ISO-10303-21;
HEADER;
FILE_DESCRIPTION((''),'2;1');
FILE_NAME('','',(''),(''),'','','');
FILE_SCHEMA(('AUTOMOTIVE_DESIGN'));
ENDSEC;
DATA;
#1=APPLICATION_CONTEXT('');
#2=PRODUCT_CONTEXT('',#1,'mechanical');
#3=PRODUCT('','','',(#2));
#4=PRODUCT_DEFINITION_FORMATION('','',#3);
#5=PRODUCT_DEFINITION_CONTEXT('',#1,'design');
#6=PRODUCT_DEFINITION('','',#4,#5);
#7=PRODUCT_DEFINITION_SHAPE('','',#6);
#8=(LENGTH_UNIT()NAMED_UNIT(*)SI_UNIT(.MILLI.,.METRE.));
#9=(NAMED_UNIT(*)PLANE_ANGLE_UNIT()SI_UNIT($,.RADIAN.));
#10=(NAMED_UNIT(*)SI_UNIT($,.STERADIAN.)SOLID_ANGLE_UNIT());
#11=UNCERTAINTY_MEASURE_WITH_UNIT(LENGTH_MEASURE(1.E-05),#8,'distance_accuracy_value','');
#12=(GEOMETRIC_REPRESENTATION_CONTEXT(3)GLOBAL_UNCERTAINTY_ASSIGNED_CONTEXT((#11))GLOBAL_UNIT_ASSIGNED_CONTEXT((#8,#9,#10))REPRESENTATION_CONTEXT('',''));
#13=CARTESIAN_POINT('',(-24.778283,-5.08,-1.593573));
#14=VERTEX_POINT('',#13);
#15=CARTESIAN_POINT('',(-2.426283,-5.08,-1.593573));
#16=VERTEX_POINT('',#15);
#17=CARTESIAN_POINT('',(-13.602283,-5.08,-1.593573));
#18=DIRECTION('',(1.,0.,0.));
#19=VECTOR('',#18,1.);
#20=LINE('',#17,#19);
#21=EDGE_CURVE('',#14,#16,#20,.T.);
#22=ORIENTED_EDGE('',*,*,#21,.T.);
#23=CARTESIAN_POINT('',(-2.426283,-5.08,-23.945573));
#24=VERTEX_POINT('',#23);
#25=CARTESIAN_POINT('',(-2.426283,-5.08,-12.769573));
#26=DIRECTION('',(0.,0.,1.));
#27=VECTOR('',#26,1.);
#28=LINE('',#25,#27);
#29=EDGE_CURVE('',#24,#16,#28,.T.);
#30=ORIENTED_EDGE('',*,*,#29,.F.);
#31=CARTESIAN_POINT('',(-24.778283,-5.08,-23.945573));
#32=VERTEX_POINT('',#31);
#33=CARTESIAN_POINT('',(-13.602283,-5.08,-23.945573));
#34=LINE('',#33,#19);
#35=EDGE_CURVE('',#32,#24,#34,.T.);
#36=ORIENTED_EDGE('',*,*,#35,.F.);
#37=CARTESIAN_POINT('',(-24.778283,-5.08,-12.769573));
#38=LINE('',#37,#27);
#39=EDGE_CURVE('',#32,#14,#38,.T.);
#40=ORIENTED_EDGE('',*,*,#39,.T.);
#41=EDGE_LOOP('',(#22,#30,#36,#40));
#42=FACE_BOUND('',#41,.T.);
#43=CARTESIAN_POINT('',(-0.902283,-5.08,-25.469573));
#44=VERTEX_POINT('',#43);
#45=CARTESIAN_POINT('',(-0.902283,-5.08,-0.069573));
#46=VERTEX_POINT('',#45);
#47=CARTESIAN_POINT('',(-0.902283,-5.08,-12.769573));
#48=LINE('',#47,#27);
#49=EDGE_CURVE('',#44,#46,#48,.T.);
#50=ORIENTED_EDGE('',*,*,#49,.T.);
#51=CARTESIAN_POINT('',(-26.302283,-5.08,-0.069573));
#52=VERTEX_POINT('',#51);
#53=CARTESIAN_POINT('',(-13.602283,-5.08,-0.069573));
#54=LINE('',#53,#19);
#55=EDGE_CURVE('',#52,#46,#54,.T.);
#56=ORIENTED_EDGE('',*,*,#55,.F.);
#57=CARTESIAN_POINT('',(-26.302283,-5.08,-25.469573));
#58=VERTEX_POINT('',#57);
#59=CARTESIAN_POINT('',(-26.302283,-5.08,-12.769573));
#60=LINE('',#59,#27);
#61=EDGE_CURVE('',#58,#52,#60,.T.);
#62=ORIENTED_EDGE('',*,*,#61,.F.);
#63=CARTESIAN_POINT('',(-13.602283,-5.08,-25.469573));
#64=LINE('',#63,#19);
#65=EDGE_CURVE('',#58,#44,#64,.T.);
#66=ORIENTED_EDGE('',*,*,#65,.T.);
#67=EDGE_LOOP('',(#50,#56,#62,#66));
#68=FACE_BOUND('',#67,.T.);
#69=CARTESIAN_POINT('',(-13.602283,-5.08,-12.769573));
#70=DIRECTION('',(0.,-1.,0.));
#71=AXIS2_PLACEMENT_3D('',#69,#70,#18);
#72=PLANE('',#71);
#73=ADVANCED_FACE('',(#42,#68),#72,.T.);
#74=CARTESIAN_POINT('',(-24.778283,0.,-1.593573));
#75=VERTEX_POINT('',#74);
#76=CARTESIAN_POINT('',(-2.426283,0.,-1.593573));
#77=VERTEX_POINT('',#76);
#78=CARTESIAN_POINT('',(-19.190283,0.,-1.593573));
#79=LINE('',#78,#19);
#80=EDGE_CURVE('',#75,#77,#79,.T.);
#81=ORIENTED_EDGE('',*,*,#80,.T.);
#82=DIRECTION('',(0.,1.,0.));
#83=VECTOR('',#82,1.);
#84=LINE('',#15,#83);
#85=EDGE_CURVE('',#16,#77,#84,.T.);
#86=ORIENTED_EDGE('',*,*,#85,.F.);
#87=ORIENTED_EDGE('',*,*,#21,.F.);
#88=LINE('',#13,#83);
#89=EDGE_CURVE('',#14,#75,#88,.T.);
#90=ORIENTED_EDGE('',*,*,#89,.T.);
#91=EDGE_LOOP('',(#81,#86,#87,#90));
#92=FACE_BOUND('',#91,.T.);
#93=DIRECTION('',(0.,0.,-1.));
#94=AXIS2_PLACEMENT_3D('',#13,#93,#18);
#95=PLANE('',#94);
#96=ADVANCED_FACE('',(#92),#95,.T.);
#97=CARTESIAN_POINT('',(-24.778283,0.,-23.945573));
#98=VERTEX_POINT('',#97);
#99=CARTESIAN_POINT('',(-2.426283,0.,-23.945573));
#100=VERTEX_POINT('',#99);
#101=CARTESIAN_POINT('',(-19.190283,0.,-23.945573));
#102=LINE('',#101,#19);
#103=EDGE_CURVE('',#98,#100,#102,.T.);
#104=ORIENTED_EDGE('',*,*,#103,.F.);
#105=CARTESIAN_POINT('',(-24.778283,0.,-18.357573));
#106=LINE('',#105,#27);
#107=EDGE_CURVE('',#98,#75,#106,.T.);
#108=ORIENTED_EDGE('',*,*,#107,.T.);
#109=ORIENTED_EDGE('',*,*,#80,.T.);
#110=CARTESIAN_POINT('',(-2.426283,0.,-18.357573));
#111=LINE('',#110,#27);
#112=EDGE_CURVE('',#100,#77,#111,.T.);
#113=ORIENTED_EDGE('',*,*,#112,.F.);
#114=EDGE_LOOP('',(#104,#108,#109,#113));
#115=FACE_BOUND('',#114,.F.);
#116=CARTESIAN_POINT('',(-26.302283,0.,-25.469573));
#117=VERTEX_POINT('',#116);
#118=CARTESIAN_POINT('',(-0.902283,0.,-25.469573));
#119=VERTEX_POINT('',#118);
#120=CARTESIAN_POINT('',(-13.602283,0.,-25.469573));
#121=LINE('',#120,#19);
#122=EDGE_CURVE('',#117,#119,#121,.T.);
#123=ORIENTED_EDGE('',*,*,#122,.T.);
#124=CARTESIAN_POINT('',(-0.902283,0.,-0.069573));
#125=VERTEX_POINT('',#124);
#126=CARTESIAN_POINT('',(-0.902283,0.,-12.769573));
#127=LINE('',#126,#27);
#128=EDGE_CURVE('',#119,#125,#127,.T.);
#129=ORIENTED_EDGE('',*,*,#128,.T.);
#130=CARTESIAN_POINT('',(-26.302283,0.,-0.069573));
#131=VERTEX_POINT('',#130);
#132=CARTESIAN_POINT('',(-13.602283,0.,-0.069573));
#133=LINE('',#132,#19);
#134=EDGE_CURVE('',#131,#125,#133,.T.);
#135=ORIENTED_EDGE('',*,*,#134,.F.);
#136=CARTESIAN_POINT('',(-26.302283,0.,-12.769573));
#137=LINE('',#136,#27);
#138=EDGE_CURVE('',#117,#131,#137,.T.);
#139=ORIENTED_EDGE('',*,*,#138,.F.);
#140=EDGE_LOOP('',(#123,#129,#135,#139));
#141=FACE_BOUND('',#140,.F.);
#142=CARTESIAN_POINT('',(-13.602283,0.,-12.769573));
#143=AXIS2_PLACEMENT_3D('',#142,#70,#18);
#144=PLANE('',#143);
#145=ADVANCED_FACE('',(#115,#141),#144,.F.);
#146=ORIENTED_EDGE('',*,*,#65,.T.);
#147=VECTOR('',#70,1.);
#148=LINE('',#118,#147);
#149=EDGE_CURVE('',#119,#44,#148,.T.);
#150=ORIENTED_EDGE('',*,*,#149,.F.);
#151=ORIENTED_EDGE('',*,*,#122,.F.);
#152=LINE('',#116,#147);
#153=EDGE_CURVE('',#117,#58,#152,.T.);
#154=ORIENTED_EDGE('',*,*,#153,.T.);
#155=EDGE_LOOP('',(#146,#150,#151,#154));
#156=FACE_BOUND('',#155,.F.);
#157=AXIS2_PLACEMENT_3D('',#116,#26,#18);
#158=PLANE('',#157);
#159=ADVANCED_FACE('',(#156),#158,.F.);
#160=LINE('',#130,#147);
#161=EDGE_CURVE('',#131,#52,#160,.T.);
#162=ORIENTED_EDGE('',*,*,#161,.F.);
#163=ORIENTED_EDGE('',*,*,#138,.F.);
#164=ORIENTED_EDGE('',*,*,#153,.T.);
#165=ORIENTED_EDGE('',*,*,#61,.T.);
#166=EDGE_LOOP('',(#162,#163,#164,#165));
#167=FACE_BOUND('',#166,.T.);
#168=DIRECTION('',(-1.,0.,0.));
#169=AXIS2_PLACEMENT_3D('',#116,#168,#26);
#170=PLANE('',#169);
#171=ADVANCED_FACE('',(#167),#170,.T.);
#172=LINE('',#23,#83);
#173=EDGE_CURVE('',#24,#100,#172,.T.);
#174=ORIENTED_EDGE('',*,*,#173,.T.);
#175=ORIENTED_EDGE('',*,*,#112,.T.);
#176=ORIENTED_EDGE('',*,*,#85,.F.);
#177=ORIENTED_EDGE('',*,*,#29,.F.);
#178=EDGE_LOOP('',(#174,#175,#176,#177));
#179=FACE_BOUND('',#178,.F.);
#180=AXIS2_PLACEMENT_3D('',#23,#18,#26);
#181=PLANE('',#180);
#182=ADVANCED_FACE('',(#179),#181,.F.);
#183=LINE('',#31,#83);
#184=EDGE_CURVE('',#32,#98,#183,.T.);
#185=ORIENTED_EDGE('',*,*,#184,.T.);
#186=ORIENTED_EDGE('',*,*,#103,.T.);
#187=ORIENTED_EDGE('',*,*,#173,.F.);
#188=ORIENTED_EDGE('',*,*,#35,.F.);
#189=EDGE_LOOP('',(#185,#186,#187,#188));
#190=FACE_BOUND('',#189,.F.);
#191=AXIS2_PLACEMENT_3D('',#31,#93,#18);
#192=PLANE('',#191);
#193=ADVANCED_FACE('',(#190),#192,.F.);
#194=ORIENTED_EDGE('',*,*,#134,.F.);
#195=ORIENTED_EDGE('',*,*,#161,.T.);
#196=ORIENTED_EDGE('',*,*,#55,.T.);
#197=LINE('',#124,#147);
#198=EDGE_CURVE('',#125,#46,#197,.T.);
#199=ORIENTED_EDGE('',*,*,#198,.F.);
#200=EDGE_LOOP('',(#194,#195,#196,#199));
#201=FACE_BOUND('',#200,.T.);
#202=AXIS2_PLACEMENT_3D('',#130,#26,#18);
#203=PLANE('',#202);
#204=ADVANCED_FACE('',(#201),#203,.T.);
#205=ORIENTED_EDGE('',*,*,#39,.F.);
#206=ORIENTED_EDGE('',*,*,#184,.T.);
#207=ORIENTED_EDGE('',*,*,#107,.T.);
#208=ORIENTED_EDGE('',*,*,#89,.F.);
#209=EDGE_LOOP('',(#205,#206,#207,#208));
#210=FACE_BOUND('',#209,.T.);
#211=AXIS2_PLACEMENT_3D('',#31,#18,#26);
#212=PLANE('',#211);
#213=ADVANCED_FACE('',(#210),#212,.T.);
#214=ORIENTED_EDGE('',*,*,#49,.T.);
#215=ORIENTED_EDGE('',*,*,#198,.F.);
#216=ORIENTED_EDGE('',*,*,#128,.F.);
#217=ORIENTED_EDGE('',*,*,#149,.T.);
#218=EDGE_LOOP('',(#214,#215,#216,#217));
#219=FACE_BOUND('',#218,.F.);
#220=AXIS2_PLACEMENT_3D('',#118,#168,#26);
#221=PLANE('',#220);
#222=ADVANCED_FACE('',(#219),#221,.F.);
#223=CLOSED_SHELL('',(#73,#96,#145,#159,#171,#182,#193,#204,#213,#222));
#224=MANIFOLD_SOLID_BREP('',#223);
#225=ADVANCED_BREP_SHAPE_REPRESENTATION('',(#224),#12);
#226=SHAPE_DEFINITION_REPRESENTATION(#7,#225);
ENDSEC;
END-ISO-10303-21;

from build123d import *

# Parameters (mm, degrees)
F0_W          = 25.4
F0_H          = 25.4
F1_DEPTH      = 5.08
F2_W          = 22.352
F2_H          = 22.352
F3_DEPTH      = 25.4
F3_DEPTH_BACK = 25.4


with BuildPart() as f1:
    # F0 (on Front) → F1 (new body)
    with BuildSketch(Plane.XZ):
        with Locations((-13.602283, -12.769573)):
            Rectangle(F0_W, F0_H)
    extrude(amount=F1_DEPTH)

    # F2 (on face) → F3 (cut, two sides)
    with BuildSketch(Plane.XZ.offset(5.08)) as f3_sk:
        with Locations((-13.602283, -12.769573)):
            Rectangle(F2_W, F2_H)
    extrude(amount=-F3_DEPTH, mode=Mode.SUBTRACT)
    extrude(f3_sk.sketch, amount=-F3_DEPTH_BACK, mode=Mode.SUBTRACT)


solid = f1.part
